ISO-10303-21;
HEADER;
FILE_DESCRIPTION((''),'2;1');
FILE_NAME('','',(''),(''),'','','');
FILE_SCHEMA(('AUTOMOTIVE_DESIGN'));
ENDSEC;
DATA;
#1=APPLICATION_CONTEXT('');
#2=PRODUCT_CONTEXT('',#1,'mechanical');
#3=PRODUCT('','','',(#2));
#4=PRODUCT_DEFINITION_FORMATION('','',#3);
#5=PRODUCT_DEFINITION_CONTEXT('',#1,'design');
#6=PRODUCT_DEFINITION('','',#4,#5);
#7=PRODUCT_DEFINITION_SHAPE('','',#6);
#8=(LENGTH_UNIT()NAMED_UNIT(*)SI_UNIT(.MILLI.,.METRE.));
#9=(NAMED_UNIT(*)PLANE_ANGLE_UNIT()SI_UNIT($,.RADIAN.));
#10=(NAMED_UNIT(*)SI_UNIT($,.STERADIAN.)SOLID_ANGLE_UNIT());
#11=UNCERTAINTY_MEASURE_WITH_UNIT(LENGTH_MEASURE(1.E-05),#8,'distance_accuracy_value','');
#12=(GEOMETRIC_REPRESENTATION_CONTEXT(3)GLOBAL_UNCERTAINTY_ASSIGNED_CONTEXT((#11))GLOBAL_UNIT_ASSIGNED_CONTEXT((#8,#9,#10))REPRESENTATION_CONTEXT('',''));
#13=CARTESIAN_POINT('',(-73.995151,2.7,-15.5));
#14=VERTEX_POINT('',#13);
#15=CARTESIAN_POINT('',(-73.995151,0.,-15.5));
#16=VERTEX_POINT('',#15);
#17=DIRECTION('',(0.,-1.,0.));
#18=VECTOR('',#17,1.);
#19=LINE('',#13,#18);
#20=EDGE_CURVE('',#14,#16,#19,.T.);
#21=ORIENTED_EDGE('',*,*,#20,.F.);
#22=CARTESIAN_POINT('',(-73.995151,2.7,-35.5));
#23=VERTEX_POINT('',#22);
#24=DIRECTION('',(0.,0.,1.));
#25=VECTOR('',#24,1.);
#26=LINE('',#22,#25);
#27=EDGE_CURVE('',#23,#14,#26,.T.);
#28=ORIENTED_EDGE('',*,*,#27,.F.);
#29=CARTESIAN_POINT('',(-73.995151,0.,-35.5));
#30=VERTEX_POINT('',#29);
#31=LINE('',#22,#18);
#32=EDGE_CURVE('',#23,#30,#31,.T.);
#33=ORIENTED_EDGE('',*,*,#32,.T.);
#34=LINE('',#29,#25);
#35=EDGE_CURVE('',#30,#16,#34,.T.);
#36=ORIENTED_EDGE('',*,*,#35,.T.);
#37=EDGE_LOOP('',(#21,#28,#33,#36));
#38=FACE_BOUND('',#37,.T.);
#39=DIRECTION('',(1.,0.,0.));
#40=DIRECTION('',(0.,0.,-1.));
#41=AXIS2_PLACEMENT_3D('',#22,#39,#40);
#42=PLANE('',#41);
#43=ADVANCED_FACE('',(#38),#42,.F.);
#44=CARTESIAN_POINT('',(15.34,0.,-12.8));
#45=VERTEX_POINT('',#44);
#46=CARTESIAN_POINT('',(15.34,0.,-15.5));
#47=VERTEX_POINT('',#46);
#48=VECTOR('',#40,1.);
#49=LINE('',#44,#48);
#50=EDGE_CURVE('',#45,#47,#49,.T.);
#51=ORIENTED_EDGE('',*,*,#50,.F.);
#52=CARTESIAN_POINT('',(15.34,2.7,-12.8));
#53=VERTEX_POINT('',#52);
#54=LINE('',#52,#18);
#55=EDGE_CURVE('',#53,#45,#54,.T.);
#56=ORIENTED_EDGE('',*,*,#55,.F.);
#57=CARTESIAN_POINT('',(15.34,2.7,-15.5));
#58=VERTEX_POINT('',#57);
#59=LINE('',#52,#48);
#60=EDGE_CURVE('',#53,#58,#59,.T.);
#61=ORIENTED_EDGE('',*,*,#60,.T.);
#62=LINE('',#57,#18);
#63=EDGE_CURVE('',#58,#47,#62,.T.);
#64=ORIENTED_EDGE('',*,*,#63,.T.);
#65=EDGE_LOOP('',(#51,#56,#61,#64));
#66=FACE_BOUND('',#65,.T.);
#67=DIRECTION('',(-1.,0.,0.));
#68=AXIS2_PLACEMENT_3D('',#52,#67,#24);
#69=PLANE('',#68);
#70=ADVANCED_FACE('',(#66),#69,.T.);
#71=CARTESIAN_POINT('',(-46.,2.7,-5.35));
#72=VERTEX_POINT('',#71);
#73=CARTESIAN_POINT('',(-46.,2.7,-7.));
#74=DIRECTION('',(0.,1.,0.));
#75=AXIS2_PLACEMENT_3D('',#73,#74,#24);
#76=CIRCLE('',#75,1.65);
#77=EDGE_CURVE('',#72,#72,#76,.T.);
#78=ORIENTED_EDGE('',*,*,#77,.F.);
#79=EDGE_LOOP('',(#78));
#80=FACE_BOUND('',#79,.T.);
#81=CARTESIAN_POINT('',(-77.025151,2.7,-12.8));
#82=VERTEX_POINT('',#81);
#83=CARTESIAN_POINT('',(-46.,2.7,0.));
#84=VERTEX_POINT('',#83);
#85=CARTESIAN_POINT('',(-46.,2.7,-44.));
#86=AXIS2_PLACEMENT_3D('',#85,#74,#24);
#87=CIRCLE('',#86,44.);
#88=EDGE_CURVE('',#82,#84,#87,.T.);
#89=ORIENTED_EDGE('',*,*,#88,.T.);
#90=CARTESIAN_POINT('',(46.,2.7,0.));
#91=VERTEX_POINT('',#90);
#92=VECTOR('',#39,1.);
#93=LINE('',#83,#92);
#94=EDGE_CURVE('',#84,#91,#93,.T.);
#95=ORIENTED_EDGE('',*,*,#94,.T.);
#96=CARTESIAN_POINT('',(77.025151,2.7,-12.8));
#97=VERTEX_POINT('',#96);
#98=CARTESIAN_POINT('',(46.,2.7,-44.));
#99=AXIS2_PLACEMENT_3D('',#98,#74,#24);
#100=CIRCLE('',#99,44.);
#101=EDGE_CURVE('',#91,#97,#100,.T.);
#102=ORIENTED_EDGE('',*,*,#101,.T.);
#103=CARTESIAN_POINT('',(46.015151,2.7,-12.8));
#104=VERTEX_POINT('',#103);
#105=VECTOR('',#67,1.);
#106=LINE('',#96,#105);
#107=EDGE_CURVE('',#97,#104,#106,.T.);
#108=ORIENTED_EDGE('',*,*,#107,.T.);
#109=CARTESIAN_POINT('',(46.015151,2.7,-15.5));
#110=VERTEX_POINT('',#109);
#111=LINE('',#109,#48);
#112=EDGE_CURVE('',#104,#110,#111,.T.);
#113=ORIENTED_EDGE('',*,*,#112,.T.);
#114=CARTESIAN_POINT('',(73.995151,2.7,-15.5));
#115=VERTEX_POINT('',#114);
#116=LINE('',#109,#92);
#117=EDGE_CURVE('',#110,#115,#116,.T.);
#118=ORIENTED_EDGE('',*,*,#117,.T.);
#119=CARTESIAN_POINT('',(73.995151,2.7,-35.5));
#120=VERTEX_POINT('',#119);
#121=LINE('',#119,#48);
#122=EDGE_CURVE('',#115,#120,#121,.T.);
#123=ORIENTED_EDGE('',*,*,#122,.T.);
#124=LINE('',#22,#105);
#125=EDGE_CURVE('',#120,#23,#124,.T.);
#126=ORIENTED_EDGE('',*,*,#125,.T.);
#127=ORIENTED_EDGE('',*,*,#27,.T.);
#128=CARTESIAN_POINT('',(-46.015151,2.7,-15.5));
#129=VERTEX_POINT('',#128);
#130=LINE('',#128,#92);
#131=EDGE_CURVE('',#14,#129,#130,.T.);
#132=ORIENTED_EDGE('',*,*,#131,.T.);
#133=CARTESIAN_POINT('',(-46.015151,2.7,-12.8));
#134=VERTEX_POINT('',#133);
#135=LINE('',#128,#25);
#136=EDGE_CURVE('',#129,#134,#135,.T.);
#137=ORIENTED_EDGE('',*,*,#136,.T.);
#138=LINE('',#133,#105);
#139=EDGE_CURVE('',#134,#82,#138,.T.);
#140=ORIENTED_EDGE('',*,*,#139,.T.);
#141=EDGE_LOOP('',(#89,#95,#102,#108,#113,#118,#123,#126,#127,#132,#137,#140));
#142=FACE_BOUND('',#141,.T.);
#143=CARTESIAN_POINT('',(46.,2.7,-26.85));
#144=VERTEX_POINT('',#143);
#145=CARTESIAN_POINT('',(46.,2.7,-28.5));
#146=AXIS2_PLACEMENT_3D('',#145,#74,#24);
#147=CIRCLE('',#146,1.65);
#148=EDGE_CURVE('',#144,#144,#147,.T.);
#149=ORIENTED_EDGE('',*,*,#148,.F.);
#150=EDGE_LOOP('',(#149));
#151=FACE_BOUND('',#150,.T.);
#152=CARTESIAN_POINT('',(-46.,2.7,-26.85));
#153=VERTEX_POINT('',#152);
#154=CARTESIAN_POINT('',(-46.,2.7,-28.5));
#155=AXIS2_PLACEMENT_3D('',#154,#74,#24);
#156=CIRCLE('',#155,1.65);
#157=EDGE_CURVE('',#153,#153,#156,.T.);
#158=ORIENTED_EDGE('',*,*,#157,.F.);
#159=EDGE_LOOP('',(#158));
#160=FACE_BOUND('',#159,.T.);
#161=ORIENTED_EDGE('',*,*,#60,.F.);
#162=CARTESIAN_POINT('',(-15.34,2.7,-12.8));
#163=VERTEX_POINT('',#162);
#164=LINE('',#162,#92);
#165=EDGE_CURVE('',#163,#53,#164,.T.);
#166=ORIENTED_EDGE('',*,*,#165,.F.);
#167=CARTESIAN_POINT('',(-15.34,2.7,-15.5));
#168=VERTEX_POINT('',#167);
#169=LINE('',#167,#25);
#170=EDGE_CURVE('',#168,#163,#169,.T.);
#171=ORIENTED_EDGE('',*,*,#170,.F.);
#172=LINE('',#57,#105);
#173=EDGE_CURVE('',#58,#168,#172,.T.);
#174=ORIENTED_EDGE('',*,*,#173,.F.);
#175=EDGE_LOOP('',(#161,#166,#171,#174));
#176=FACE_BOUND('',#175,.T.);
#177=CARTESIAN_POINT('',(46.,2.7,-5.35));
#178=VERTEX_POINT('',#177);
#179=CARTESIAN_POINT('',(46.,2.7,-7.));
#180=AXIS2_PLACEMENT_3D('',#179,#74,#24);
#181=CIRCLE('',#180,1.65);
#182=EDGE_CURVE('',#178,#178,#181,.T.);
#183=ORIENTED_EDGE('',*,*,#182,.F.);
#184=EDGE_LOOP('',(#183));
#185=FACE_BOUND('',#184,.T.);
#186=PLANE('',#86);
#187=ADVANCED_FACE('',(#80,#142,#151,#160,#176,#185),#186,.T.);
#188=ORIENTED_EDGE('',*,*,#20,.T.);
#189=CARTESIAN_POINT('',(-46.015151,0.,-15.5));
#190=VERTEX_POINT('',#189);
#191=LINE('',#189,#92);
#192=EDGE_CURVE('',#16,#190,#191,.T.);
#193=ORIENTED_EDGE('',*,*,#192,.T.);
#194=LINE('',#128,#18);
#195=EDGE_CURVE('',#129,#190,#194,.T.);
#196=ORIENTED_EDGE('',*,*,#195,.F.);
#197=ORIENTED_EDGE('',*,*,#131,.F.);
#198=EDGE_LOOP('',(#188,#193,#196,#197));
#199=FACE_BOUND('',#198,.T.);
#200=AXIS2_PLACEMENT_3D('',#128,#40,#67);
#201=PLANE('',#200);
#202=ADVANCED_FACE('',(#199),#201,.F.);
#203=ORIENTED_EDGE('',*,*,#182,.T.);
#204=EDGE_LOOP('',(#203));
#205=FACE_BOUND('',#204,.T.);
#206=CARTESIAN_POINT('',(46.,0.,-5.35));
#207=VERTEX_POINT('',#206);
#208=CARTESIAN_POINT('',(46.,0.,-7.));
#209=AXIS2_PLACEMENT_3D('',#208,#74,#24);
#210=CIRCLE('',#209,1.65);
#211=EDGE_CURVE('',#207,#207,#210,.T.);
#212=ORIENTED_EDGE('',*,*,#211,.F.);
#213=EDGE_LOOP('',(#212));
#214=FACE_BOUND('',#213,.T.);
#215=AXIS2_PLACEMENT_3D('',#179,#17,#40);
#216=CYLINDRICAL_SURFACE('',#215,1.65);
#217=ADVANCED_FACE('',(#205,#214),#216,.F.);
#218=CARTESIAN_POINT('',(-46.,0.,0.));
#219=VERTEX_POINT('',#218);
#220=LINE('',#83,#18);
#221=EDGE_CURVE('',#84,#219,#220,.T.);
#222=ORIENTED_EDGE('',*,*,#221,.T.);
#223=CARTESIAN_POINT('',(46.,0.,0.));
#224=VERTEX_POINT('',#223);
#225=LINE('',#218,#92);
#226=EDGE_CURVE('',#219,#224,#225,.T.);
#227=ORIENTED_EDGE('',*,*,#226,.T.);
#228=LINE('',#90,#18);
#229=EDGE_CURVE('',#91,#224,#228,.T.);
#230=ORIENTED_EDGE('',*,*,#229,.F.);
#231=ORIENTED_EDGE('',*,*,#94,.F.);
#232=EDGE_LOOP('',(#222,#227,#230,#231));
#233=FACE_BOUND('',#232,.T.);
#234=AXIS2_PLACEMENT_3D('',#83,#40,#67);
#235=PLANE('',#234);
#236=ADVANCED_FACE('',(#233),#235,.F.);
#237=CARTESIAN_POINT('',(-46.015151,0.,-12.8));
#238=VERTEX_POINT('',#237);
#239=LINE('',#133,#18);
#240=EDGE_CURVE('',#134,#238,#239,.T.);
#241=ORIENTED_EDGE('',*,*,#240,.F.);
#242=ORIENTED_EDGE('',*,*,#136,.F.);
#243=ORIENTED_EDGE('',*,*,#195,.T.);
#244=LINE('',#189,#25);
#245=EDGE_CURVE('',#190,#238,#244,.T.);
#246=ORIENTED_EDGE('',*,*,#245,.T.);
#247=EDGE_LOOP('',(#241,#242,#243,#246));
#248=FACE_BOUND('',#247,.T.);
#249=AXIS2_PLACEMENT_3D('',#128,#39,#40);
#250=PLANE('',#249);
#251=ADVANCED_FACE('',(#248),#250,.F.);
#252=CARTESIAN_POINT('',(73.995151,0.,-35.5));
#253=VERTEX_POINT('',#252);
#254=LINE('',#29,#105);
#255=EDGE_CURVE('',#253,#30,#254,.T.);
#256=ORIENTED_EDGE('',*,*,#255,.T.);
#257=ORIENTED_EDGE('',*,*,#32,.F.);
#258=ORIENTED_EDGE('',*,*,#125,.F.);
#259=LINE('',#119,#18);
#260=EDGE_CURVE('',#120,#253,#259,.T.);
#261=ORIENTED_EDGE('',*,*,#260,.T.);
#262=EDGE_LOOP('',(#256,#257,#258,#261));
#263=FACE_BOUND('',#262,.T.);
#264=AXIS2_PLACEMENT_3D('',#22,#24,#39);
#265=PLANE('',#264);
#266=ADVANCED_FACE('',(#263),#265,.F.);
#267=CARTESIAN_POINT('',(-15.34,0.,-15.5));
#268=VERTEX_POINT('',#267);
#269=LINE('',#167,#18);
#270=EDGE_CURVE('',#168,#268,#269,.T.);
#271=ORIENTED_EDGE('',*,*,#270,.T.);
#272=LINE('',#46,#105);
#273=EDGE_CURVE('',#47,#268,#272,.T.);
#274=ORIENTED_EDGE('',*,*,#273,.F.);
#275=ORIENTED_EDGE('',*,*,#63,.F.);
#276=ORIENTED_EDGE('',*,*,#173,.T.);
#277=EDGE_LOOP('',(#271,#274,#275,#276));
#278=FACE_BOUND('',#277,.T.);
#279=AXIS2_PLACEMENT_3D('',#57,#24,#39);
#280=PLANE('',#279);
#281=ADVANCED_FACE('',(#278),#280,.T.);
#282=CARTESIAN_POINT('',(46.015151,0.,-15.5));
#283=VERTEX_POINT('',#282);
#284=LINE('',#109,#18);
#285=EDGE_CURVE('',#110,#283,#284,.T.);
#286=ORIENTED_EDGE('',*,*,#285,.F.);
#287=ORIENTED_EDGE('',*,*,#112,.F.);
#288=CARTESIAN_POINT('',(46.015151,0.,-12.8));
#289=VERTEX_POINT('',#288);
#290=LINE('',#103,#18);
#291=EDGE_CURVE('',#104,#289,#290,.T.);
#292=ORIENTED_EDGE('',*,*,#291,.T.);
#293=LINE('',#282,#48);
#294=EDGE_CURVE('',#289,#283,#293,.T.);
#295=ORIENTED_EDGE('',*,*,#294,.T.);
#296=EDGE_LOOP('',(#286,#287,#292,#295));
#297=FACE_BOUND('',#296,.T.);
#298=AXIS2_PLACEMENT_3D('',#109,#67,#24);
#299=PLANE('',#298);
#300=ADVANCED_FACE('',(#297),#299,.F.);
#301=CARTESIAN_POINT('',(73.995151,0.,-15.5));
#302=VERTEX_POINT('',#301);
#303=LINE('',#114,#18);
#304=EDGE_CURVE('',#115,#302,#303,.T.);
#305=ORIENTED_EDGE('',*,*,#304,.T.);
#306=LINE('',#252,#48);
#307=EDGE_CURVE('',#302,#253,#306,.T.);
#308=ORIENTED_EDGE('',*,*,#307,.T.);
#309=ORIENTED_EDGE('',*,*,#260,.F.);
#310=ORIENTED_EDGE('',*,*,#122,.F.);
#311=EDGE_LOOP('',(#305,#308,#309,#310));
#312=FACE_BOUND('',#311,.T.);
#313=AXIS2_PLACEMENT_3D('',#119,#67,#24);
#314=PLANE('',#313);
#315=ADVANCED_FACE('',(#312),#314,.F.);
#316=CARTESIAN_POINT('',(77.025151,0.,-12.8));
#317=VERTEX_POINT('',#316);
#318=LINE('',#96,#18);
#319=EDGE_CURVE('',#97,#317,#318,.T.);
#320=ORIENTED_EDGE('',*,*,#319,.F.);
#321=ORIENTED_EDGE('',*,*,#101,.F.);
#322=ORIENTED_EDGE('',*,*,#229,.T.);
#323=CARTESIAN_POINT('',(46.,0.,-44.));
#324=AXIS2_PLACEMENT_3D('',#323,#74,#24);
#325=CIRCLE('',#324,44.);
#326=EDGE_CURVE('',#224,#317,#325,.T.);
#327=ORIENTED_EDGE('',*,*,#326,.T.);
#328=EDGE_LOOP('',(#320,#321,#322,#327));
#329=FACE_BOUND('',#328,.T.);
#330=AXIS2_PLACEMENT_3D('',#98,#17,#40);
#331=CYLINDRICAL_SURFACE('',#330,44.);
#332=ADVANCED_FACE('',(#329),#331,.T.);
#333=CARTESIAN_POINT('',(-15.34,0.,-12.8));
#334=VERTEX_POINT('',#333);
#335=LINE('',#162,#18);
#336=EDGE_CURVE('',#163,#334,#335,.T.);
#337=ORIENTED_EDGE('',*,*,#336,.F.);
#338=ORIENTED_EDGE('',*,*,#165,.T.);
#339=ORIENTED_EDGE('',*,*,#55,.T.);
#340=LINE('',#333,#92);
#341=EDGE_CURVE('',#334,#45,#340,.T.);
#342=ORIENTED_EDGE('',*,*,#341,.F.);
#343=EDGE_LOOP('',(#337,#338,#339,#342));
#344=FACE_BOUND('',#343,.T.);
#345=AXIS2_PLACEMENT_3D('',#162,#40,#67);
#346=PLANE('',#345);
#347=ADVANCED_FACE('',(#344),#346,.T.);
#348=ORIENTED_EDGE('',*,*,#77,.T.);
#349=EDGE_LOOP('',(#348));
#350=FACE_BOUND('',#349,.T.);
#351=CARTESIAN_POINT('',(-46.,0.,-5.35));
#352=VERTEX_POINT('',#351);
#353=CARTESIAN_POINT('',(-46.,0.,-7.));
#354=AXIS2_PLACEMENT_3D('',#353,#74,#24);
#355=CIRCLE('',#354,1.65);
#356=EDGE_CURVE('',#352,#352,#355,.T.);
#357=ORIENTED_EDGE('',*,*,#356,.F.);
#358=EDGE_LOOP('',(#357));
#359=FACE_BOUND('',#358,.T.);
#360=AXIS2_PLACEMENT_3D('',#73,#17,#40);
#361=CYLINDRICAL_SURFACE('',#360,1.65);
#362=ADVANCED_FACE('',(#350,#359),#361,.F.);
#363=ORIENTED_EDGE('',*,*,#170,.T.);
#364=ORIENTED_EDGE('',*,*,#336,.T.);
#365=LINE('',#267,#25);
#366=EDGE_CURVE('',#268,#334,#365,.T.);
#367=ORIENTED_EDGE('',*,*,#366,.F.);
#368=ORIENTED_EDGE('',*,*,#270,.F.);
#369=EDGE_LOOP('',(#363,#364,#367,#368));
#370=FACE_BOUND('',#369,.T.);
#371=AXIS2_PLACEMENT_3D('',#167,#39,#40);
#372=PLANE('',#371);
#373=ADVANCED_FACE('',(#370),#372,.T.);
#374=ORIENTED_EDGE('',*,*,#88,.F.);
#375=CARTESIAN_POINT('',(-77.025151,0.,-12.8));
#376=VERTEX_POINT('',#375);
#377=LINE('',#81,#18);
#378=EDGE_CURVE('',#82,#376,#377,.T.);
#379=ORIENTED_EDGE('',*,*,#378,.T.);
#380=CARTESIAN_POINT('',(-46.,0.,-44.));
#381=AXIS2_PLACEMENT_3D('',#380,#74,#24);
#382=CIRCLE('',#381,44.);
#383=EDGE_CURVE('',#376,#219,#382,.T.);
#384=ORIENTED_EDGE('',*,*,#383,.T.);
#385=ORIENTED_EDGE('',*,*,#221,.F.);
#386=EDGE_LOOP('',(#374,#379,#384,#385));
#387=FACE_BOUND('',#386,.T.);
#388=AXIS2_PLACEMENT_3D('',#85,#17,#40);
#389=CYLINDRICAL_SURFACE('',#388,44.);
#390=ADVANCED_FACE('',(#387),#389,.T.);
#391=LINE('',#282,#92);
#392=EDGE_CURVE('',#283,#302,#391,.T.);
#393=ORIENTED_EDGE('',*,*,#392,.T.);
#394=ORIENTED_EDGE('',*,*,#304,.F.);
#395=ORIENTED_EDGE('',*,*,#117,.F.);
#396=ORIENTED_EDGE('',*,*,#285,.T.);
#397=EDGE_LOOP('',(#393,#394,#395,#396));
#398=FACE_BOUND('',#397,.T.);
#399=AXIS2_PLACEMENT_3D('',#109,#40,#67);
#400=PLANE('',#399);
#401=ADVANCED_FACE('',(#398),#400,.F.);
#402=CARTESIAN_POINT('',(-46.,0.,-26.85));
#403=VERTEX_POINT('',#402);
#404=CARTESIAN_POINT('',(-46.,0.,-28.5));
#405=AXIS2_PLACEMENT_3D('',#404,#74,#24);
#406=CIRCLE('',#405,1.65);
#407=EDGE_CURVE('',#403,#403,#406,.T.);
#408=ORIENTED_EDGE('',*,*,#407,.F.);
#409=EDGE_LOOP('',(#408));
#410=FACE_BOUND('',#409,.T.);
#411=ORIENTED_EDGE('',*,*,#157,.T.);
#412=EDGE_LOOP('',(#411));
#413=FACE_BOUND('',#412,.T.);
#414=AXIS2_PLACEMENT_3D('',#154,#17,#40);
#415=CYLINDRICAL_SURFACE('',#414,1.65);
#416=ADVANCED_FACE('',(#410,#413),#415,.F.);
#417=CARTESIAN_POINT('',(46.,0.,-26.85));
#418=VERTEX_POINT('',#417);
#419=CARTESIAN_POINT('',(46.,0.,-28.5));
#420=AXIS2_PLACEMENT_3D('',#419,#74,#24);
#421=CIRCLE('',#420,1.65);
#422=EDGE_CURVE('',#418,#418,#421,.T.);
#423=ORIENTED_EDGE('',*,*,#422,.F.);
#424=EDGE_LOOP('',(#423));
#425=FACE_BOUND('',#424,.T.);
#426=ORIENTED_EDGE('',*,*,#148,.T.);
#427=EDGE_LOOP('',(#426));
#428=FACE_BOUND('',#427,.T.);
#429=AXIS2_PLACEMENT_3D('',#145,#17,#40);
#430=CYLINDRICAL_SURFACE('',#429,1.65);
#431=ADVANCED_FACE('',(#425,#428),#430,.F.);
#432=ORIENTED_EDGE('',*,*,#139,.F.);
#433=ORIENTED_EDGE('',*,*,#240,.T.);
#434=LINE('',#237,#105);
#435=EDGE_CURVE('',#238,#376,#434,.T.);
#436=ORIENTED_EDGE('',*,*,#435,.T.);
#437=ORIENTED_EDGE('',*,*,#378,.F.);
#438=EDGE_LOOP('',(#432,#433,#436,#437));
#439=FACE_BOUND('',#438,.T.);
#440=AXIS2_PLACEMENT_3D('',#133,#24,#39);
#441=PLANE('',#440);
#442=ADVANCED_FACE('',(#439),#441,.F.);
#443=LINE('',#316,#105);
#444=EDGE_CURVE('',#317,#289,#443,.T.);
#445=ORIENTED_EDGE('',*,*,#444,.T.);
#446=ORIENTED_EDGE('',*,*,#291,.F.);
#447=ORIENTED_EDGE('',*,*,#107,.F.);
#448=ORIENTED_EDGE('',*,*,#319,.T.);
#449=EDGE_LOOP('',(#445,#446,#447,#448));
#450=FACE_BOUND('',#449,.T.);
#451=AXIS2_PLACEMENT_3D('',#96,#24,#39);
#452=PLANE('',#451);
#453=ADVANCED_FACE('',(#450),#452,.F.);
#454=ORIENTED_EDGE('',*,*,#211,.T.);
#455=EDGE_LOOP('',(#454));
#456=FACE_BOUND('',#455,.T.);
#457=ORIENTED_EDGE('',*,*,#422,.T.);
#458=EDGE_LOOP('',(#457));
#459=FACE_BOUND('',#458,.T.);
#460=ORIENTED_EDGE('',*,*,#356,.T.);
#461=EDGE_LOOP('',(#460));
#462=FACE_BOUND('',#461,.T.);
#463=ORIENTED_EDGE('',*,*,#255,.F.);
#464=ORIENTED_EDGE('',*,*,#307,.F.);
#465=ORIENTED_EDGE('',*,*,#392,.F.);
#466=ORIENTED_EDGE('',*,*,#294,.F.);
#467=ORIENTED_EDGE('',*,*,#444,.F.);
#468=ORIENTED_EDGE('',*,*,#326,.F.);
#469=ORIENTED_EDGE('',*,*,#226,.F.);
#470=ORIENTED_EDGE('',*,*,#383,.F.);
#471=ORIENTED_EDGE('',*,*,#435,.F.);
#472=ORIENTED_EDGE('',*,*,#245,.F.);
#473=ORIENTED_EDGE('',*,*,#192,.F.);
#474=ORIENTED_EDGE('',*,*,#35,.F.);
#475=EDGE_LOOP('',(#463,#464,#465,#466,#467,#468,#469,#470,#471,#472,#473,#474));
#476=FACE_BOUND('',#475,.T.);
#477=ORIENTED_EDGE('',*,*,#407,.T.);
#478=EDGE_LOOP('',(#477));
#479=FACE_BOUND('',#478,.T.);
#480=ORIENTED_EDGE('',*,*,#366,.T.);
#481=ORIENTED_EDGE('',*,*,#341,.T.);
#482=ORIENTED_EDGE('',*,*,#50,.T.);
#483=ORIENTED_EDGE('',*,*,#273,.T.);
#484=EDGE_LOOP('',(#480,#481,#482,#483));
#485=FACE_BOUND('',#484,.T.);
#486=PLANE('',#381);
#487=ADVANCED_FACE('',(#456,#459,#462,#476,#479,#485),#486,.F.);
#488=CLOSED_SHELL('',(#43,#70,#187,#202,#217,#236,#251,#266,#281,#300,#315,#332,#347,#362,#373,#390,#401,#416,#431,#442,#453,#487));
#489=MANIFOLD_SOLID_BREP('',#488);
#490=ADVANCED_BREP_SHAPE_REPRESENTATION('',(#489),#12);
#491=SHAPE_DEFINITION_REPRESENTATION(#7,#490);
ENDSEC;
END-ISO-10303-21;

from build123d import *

# Parameters (mm, degrees)
SKETCH1_R           = 1.65
SKETCH1_W           = 30.68
SKETCH1_H           = 2.7
BOSS_EXTRUDE1_DEPTH = 2.7


with BuildPart() as part:
    # Sketch1 → Boss-Extrude1 (new body)
    with BuildSketch(Plane(origin=(0, 0, 0), x_dir=(1, 0, 0), z_dir=(0, 1, 0))):
        with BuildLine():
            Line((-46, 0), (46, 0))
            ThreePointArc((46, 0), (62.780941571, 3.32568378), (77.025151087, 12.8))
            Line((77.025151087, 12.8), (46.015151087, 12.8))
            Line((46.015151087, 12.8), (46.015151087, 15.5))
            Line((46.015151087, 15.5), (73.995151087, 15.5))
            Line((73.995151087, 15.5), (73.995151087, 35.5))
            Line((73.995151087, 35.5), (-73.995151087, 35.5))
            Line((-73.995151087, 35.5), (-73.995151087, 15.5))
            Line((-73.995151087, 15.5), (-46.015151087, 15.5))
            Line((-46.015151087, 15.5), (-46.015151087, 12.8))
            Line((-46.015151087, 12.8), (-77.025151087, 12.8))
            ThreePointArc((-77.025151087, 12.8), (-62.780941571, 3.32568378), (-46, 0))
        make_face()
        with Locations((46, 28.5)):
            Circle(SKETCH1_R, mode=Mode.SUBTRACT)
        with Locations((46, 7)):
            Circle(SKETCH1_R, mode=Mode.SUBTRACT)
        with Locations((-46, 7)):
            Circle(SKETCH1_R, mode=Mode.SUBTRACT)
        with Locations((-46, 28.5)):
            Circle(SKETCH1_R, mode=Mode.SUBTRACT)
        with Locations((0, 14.15)):
            Rectangle(SKETCH1_W, SKETCH1_H, mode=Mode.SUBTRACT)
    extrude(amount=BOSS_EXTRUDE1_DEPTH)


solid = part.part
